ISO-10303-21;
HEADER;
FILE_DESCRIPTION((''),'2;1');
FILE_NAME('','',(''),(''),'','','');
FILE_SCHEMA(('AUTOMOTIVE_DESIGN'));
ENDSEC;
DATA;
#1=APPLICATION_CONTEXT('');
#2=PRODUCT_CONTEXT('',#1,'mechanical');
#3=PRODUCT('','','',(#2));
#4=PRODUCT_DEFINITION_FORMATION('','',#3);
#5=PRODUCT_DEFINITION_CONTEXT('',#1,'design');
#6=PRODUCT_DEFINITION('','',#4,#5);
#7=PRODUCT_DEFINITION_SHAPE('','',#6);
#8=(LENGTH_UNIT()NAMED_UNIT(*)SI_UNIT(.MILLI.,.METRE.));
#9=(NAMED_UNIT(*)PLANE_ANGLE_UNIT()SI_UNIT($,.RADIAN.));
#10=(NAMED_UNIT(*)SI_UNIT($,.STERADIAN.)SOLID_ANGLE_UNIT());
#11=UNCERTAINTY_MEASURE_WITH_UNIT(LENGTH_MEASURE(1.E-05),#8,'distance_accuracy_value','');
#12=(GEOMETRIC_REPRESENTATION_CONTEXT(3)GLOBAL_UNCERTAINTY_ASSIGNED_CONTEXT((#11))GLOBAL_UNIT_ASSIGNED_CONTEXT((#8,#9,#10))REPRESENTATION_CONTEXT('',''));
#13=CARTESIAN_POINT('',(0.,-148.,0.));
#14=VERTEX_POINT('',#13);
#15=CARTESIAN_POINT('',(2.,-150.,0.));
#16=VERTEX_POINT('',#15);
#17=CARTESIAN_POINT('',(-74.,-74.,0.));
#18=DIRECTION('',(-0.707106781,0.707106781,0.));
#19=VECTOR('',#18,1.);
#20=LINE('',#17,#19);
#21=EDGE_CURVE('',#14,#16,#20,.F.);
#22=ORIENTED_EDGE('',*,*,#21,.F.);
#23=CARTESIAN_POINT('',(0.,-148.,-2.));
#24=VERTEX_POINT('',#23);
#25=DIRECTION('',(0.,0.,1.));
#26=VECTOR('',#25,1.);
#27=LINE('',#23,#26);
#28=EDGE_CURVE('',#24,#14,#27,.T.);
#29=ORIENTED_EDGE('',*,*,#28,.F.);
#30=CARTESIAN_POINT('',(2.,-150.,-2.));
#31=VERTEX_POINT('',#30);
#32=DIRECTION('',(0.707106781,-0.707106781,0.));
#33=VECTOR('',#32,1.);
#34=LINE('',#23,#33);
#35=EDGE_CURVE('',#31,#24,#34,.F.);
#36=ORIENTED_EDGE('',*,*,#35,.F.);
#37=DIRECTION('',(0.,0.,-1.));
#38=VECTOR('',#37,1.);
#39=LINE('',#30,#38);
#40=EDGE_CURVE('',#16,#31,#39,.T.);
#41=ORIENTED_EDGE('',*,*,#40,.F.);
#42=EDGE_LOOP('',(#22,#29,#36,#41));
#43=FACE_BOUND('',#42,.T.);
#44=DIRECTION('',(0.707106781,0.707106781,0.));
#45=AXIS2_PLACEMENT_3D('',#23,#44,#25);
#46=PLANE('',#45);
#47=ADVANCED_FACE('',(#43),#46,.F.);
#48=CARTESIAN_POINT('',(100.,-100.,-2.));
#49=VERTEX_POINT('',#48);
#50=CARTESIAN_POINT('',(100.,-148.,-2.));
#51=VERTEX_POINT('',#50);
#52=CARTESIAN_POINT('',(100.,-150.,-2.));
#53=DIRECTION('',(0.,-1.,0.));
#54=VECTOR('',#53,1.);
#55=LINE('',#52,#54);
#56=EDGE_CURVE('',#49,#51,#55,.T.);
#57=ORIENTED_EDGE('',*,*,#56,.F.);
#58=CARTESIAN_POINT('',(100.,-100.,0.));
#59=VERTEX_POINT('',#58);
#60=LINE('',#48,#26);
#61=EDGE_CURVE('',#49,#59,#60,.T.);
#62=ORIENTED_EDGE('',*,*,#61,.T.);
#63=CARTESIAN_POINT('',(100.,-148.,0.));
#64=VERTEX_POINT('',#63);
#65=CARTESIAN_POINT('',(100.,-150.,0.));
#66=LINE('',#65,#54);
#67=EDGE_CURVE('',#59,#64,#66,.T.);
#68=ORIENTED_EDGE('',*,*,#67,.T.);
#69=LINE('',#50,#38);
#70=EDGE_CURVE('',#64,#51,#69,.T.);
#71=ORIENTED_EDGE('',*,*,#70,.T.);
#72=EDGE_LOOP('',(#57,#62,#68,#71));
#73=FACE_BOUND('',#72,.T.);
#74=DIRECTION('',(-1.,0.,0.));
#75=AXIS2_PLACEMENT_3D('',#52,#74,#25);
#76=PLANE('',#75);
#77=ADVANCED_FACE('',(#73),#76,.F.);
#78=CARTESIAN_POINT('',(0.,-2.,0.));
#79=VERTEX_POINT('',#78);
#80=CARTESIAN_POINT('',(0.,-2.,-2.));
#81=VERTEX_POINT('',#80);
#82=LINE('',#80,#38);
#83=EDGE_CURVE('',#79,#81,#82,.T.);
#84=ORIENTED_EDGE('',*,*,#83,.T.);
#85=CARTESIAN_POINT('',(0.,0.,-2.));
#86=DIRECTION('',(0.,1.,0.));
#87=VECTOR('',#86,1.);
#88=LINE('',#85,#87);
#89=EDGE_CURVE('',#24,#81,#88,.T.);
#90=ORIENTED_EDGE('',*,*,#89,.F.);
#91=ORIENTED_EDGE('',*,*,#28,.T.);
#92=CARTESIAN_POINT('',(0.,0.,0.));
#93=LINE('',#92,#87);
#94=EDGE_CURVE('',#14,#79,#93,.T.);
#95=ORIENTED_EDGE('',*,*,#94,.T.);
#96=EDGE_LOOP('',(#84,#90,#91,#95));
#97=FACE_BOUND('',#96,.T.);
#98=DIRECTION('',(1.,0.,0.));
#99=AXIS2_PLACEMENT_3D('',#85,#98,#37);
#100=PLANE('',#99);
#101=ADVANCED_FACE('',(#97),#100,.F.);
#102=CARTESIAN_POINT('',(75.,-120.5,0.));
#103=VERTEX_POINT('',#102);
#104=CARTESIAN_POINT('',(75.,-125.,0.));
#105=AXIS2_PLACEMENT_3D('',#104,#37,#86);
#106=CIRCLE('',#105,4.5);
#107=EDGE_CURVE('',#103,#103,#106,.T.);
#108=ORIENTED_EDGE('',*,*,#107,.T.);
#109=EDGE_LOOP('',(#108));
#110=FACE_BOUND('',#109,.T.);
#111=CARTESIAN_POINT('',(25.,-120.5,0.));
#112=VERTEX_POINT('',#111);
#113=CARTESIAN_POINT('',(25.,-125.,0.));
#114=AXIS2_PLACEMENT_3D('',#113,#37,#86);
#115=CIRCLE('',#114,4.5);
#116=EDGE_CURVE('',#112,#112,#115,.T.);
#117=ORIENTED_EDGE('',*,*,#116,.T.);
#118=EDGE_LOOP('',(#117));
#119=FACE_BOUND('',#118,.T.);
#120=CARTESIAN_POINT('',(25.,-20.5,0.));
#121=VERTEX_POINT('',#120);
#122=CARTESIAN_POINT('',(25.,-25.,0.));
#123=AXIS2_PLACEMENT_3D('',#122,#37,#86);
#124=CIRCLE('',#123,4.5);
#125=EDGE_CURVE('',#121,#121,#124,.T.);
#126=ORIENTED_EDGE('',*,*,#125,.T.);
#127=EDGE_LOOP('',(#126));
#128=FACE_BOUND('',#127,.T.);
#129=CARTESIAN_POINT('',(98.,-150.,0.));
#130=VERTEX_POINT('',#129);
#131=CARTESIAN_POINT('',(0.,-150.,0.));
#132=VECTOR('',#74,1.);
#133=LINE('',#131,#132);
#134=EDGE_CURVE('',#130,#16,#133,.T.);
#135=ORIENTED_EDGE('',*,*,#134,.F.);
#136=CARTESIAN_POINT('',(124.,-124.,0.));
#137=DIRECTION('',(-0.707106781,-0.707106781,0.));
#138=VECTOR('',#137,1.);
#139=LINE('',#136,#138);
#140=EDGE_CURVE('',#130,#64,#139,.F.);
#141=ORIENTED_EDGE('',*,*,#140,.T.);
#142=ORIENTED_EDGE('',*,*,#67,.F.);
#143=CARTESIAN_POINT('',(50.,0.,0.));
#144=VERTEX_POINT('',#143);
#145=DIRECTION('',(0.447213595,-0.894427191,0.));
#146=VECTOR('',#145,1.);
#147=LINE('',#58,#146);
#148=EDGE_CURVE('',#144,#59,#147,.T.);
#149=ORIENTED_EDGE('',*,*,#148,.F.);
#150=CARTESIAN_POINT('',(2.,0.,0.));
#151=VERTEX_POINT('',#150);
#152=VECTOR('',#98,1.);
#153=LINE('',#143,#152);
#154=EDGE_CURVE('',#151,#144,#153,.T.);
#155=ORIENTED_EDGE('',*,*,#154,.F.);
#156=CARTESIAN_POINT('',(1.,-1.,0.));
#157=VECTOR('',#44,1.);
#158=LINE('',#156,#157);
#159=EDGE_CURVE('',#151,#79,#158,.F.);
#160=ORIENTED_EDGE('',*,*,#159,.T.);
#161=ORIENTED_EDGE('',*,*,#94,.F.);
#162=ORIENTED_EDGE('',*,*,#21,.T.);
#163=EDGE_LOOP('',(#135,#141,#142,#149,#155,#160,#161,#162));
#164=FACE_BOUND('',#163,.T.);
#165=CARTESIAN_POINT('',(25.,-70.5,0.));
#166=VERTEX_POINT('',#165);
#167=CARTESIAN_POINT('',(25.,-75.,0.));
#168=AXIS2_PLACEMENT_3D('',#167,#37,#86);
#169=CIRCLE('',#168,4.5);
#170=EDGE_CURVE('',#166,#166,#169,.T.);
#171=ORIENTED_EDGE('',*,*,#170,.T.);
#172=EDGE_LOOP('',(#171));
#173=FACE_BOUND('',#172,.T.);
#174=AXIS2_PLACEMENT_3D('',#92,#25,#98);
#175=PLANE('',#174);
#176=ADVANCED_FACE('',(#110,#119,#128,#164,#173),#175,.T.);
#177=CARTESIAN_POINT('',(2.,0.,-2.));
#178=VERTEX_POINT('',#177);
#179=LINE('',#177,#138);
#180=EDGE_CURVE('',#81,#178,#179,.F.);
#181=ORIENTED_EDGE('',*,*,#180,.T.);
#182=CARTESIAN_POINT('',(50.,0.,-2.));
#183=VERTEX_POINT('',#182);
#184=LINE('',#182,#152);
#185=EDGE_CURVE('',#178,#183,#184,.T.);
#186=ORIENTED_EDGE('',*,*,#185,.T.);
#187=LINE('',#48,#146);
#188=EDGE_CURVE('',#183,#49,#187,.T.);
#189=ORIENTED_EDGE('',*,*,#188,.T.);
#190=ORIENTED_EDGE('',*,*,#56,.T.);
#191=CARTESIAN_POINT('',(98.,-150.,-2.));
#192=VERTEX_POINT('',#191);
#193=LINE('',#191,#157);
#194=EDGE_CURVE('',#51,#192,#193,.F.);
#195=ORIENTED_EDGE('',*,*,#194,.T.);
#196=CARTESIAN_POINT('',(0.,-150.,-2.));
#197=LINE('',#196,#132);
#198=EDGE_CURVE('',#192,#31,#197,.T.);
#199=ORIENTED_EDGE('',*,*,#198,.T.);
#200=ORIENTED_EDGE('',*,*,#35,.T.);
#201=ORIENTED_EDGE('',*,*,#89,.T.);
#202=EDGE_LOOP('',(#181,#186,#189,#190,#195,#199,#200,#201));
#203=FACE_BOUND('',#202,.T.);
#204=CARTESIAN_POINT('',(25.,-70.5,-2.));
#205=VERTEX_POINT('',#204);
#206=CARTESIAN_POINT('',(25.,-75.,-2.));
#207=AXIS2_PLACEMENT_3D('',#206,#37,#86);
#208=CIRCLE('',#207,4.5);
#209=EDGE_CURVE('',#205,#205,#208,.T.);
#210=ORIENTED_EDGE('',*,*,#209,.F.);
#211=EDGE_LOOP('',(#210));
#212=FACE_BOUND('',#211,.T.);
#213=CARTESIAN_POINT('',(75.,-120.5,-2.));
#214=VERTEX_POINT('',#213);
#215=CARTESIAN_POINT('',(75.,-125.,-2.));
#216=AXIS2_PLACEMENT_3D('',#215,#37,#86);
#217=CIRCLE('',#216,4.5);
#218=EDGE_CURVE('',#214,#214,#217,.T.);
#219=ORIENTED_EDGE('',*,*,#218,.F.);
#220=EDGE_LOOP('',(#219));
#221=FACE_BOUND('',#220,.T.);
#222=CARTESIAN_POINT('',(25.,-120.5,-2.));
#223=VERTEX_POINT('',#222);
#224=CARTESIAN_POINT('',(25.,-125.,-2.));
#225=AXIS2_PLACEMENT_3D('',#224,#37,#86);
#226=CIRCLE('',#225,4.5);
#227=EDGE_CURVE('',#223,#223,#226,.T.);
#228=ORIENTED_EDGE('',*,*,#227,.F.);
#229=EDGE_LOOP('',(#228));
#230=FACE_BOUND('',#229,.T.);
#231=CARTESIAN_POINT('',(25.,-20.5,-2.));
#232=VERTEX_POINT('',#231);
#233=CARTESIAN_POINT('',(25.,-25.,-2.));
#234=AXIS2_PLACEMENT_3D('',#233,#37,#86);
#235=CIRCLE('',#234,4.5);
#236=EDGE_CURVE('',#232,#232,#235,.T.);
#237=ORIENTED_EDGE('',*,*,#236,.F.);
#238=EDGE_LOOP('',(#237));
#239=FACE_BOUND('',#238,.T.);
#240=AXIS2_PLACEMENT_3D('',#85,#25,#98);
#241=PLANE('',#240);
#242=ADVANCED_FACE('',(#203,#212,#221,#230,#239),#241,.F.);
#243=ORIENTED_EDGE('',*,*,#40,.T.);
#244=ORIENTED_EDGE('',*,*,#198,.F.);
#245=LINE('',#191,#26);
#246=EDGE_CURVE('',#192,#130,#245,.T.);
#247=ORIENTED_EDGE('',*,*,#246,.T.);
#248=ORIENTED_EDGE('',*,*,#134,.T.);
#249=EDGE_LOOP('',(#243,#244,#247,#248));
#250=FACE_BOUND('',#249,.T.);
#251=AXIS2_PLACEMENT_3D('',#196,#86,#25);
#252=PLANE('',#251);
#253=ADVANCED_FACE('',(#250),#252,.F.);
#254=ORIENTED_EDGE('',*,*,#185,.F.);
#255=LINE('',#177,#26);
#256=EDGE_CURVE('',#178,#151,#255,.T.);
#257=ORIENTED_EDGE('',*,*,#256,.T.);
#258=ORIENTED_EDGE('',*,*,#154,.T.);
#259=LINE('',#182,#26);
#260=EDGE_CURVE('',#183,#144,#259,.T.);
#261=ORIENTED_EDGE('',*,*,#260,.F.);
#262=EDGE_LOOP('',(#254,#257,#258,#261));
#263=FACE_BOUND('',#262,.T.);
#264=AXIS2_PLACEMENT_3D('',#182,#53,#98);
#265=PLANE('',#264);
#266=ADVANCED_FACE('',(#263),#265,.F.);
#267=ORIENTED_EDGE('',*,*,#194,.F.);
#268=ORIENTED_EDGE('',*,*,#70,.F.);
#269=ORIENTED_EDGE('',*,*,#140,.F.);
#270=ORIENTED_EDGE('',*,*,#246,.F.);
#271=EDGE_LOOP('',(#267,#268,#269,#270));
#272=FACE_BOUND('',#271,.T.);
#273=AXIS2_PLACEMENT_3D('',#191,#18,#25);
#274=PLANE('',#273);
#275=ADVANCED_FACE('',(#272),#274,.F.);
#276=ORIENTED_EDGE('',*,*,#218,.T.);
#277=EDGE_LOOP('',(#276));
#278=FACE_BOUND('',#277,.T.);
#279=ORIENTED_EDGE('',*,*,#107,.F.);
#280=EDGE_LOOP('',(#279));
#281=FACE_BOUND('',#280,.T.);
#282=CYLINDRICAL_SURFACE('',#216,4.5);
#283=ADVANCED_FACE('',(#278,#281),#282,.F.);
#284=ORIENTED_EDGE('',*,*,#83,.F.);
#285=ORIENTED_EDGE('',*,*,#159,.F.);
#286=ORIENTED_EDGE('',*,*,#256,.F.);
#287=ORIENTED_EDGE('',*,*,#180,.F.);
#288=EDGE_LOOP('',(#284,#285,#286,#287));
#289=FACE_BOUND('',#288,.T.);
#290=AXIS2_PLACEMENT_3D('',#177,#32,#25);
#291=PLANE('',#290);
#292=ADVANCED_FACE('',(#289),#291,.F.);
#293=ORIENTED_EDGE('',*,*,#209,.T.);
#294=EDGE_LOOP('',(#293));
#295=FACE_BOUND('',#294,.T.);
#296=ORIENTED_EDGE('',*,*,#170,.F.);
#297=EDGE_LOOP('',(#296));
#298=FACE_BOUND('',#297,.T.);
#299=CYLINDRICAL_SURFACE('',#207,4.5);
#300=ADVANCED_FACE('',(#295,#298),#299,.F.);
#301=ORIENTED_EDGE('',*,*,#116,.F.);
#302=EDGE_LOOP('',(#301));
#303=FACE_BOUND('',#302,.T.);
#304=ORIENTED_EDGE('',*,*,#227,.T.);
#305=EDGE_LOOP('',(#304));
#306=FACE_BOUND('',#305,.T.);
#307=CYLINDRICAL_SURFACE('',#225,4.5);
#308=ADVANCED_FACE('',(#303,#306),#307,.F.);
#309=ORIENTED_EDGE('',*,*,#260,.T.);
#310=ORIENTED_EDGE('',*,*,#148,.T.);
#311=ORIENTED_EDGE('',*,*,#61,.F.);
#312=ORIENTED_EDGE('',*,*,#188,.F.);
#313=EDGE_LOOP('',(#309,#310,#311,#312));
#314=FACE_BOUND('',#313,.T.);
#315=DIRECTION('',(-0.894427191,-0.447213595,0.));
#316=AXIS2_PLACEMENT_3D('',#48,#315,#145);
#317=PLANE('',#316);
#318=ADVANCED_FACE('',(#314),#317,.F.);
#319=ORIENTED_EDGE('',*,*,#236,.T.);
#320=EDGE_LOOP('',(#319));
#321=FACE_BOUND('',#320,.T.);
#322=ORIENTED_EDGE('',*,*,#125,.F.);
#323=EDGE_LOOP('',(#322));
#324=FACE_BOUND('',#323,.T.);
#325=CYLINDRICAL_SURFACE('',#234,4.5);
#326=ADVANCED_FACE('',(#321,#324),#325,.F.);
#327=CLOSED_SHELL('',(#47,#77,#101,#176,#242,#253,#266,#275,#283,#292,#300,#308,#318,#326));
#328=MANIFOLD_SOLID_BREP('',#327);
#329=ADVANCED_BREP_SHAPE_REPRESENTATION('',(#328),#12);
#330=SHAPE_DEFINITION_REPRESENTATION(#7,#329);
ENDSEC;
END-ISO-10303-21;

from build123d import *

# Parameters (mm, degrees)
EXTRUDE_1_DEPTH   = 2
HOLE_WIZARD_M81_D = 9
CHAMFER_1_SIZE    = 2


with BuildPart() as part:
    # Эскиз1 → Бобышка-Вытянуть1 (new body)
    with BuildSketch(Plane(origin=(0, 0, 0), x_dir=(1, 0, 0), z_dir=(0, 0, -1))):
        Polygon((0, 0), (0, 150), (100, 150), (100, 100), (50, 0), align=None)
    extrude(amount=EXTRUDE_1_DEPTH)

    # Отверстие с зазором M81 (through all)
    with Locations(Plane(origin=(0, 0, -2), x_dir=(1, 0, 0), z_dir=(0, 0, -1))):
        with Locations((75, 125), (25, 125), (25, 75), (25, 25)):
            Hole(HOLE_WIZARD_M81_D / 2)

    # Фаска1
    chamfer_1_edges = [part.edges().sort_by_distance(p)[0] for p in [
        (0, 0, -1),
        (0, -150, -1),
        (100, -150, -1),
    ]]
    chamfer(chamfer_1_edges, length=CHAMFER_1_SIZE)


solid = part.part
